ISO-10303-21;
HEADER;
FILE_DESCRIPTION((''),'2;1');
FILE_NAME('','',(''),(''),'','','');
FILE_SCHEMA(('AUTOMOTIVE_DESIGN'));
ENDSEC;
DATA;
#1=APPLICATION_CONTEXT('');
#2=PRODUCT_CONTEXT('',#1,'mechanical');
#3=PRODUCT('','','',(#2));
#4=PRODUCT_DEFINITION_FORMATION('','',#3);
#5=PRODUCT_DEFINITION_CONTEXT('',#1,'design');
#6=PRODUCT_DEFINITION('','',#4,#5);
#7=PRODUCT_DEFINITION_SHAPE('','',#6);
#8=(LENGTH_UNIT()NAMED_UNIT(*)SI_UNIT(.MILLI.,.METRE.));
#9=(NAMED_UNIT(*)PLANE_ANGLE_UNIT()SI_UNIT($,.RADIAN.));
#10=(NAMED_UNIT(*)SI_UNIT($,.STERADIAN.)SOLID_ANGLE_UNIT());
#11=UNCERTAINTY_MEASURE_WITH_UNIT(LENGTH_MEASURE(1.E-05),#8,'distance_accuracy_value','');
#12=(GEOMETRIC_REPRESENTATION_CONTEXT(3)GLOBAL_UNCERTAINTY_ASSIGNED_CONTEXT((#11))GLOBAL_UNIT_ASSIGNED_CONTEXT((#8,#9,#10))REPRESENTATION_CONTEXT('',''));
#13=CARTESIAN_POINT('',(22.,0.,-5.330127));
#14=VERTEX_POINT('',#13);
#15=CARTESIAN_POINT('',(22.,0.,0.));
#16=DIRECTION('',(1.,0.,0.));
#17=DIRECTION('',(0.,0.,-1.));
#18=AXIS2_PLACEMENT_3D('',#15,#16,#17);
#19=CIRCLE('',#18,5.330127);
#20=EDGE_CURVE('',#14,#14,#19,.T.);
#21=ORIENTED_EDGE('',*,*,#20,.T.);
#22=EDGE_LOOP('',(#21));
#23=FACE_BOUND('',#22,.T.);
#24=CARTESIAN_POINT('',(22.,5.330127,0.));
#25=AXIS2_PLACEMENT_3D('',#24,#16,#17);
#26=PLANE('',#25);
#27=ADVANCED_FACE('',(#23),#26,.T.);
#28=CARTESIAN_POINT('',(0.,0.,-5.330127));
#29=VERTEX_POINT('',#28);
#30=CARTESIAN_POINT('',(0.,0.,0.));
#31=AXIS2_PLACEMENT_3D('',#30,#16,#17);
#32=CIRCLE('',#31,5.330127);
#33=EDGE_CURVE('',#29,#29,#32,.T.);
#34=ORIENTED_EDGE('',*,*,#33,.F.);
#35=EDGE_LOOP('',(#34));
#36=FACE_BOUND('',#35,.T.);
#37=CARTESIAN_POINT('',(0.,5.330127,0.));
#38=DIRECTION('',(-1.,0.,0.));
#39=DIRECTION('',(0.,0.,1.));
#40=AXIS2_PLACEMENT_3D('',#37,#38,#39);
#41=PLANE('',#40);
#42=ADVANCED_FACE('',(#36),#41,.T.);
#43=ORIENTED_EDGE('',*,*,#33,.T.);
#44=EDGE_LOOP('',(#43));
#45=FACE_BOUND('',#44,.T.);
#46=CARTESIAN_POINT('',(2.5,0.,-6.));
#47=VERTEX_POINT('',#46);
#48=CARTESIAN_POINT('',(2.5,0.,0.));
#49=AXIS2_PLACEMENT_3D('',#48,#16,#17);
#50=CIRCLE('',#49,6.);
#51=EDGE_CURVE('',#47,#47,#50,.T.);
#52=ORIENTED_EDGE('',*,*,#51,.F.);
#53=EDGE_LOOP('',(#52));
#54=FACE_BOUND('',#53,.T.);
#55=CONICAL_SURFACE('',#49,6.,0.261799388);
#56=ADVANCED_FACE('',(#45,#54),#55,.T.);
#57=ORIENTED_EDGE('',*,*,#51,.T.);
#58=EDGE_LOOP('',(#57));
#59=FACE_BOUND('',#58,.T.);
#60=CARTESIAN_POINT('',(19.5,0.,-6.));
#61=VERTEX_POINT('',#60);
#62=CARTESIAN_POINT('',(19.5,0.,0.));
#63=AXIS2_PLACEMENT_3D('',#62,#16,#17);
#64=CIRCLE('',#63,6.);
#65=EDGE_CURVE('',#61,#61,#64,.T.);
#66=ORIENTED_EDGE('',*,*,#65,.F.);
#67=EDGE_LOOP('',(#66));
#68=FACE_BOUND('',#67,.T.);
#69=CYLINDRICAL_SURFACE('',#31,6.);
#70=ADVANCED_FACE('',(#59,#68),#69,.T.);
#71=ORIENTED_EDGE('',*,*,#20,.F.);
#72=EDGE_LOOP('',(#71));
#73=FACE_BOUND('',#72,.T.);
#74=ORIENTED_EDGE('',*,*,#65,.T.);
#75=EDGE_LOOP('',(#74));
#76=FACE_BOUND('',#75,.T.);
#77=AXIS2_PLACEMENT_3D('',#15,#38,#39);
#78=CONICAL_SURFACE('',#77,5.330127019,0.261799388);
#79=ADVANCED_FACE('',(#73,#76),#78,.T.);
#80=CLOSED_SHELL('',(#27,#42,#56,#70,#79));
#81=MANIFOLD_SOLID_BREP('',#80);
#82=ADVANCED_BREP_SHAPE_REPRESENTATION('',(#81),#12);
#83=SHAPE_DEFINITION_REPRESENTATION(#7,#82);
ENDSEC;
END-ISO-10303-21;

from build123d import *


with BuildPart() as part:
    # 草图1 → Revolve 489 (revolve)
    with BuildSketch(Plane.XY, mode=Mode.PRIVATE) as revolve_489_sk:
        Polygon((0, 0), (22, 0), (22, 5.330127019), (19.5, 6), (2.5, 6), (0, 5.330127019), align=None)
    revolve(revolve_489_sk.sketch.rotate(Axis((0, 0, 0), (-1, 0, 0)), 90), axis=Axis((0, 0, 0), (-1, 0, 0)))


solid = part.part
